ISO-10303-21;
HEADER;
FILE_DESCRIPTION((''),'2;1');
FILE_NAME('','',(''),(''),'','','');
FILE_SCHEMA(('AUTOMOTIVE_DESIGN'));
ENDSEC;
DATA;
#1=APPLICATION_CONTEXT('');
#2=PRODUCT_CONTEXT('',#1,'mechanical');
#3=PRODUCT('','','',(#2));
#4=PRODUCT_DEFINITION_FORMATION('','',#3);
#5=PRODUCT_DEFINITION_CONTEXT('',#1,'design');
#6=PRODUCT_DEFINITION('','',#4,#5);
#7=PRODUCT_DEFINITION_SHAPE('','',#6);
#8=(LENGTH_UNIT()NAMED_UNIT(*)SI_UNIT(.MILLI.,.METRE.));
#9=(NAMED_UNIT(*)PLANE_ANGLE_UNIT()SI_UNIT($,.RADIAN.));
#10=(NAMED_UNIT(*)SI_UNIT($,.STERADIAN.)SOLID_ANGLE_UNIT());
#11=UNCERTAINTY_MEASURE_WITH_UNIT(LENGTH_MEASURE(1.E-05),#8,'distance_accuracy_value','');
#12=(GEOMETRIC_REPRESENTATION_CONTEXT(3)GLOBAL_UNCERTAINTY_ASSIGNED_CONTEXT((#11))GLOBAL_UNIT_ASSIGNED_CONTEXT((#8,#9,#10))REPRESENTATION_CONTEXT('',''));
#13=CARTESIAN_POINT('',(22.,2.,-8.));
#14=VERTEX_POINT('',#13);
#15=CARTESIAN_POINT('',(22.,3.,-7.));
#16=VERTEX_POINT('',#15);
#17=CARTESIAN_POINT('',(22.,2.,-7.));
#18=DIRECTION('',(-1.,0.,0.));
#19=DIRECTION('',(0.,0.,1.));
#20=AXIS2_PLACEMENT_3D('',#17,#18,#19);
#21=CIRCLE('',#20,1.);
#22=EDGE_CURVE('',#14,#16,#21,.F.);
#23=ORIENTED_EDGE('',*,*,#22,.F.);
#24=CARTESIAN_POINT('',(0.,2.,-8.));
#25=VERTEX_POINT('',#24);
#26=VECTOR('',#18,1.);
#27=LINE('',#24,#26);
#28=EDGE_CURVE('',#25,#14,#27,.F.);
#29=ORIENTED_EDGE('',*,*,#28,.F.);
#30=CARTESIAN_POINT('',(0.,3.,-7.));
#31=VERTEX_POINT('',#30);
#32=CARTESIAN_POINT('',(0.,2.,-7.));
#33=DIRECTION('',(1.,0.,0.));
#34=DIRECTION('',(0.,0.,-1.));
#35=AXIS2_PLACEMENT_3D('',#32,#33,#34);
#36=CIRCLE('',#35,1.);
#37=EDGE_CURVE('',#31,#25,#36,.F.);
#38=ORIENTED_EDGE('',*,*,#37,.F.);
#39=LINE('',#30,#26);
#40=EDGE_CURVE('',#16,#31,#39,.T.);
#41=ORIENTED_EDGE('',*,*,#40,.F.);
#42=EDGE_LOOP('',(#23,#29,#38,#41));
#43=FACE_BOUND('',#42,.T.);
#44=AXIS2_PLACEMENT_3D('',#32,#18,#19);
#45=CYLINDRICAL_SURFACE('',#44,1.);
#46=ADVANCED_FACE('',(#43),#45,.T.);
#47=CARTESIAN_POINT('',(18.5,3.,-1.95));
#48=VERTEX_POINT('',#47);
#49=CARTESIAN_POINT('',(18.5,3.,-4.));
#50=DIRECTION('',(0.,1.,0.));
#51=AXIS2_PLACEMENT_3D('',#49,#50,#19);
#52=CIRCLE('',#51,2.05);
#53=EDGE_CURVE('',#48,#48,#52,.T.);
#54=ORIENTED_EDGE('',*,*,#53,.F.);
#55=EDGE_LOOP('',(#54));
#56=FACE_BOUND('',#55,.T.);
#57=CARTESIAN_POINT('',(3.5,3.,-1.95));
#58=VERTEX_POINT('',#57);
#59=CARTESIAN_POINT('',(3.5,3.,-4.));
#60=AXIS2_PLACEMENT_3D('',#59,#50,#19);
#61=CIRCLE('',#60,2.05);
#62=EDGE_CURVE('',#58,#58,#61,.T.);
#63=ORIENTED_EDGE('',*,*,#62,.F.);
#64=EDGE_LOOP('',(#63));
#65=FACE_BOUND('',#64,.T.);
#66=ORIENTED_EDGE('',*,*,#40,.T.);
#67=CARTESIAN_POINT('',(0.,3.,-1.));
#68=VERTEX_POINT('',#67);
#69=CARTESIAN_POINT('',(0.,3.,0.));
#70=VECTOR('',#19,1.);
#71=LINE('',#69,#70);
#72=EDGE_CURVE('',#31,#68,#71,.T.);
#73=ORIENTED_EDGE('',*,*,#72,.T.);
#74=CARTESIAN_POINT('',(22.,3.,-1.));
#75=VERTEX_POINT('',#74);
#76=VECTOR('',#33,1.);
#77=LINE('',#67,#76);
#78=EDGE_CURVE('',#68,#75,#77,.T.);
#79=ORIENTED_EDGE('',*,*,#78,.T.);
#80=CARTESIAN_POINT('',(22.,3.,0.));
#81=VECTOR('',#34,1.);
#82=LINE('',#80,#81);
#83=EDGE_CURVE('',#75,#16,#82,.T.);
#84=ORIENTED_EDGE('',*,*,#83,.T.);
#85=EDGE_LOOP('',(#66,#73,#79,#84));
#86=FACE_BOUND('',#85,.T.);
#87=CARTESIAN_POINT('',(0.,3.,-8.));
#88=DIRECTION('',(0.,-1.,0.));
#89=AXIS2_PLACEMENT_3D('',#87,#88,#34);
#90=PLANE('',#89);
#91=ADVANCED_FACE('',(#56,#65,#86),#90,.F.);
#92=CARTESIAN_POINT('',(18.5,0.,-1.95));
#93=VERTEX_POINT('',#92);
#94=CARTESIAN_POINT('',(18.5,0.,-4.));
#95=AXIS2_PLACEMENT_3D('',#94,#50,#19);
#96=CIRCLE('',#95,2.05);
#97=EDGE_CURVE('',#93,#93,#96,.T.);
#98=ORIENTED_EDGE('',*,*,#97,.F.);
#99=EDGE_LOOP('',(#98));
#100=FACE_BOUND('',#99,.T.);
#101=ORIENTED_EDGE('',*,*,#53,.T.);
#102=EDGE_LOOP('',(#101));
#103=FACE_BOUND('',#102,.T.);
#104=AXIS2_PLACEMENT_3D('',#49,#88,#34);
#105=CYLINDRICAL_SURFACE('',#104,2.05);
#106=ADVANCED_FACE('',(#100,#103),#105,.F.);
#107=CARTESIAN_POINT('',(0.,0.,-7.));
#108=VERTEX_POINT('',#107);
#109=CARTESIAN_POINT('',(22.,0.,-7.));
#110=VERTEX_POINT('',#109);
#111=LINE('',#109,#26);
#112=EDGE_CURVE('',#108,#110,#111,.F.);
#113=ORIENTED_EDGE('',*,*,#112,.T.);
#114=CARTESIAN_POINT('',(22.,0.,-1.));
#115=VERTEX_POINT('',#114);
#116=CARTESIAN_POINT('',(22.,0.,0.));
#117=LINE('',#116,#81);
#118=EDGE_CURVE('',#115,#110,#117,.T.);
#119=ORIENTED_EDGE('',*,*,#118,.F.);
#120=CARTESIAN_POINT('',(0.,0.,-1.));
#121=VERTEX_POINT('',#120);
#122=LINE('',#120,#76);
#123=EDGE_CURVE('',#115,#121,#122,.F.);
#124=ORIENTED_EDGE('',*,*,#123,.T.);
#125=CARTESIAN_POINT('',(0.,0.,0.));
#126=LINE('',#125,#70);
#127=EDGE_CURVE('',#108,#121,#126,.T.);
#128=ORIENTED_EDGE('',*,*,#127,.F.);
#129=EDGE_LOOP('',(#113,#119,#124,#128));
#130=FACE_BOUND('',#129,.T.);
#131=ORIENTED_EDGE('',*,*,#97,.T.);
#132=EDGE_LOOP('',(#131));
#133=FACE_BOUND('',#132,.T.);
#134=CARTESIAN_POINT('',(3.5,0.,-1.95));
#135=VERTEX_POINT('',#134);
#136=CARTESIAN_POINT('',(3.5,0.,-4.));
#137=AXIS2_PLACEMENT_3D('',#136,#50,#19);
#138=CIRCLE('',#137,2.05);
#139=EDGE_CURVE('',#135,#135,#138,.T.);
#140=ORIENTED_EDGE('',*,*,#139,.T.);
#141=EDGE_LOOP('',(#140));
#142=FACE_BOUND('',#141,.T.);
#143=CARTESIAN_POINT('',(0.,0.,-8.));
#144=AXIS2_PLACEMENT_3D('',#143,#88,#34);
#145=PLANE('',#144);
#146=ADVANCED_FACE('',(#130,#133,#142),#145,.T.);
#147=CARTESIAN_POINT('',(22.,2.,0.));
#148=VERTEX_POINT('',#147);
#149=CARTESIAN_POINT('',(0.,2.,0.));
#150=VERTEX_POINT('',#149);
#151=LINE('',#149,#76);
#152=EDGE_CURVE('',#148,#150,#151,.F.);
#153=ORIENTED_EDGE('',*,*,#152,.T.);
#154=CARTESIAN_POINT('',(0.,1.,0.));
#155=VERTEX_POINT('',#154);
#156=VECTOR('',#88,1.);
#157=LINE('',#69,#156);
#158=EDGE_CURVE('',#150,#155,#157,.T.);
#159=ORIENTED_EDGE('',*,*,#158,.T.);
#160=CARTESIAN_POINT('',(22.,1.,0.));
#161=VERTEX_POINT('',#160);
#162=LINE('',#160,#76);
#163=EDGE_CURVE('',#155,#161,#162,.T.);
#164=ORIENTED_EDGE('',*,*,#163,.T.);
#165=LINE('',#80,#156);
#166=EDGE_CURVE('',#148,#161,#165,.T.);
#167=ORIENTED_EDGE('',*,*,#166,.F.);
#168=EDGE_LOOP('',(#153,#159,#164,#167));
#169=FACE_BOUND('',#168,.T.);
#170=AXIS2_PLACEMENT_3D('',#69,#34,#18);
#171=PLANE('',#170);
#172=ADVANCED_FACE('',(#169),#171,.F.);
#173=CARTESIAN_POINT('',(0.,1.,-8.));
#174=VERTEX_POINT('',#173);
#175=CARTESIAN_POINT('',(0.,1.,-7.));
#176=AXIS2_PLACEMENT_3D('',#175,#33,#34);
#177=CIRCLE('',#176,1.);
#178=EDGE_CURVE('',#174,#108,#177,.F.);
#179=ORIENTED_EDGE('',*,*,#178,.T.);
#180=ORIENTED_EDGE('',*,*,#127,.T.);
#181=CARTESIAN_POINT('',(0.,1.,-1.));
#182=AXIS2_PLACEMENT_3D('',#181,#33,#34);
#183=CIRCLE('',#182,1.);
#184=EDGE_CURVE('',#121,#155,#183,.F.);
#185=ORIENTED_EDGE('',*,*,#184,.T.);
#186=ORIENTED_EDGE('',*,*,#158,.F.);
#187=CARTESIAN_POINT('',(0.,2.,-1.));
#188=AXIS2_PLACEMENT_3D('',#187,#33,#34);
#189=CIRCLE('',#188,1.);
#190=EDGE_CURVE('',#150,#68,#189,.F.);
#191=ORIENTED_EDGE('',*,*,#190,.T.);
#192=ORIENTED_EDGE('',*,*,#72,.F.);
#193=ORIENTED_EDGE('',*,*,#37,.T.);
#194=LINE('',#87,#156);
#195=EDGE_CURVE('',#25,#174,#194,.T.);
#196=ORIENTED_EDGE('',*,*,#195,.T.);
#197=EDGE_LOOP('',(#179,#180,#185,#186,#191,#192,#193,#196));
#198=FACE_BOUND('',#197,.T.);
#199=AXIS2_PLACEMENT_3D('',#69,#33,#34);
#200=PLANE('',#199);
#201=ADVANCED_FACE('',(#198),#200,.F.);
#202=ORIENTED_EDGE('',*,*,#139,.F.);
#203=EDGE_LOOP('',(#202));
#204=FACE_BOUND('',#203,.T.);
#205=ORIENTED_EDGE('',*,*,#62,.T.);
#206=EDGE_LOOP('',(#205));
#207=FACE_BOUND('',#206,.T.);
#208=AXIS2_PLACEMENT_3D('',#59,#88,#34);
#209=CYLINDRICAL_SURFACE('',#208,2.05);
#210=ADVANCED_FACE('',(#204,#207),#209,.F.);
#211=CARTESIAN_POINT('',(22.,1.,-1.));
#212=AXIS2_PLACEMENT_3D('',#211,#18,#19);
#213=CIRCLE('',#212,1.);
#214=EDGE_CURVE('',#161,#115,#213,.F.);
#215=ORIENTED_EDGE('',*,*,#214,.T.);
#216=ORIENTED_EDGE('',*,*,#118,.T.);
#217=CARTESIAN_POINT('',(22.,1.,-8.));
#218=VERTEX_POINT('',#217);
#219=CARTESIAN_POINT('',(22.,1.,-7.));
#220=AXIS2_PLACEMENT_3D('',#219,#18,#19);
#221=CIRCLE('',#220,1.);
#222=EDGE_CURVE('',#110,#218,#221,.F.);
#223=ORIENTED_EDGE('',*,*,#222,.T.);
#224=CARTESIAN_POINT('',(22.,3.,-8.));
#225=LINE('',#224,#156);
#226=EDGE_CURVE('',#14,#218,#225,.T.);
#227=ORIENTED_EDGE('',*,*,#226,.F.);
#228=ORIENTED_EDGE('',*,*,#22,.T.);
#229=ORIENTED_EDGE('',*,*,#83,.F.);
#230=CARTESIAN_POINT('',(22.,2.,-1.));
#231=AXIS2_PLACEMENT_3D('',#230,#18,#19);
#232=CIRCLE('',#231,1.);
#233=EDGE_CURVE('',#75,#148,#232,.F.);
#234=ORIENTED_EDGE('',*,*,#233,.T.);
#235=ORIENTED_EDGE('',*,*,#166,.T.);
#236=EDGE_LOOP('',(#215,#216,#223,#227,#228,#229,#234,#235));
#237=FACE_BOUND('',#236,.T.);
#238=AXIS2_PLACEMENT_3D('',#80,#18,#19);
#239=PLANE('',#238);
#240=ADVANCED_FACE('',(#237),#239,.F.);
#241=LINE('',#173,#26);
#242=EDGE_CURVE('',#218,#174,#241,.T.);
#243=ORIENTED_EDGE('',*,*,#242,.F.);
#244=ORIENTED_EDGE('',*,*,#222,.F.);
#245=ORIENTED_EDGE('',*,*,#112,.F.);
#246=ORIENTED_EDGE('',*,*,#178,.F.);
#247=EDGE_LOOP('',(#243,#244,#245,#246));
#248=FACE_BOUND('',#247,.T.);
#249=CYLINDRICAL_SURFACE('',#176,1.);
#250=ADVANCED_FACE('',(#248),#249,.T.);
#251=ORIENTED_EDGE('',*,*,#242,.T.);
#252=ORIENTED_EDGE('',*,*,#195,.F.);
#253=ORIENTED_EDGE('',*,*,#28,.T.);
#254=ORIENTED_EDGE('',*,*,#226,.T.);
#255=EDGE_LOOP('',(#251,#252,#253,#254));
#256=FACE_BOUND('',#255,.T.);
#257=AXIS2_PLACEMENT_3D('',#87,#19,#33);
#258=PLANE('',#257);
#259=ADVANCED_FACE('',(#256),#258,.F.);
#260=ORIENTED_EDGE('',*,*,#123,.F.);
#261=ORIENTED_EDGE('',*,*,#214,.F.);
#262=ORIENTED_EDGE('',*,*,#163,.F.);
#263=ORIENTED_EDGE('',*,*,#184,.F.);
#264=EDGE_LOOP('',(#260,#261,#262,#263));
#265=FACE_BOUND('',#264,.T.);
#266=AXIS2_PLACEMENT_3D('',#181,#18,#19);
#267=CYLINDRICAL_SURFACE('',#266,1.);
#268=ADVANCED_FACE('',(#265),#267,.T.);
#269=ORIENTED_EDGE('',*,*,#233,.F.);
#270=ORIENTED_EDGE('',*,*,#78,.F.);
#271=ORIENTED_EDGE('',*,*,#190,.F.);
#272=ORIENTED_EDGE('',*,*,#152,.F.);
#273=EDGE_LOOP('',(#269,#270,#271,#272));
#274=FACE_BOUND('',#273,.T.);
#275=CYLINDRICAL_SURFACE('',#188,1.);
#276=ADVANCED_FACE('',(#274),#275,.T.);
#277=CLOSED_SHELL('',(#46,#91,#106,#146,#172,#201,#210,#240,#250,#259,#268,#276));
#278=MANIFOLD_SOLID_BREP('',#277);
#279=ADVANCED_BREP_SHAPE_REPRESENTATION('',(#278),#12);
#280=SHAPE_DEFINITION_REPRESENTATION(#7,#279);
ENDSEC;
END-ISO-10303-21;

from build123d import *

# Parameters (mm, degrees)
SKETCH1_W           = 22
SKETCH1_H           = 8
SKETCH1_R           = 2.05
BOSS_EXTRUDE1_DEPTH = 3
FILLET1_R           = 1


with BuildPart() as part:
    # Sketch1 → Boss-Extrude1 (new body)
    with BuildSketch(Plane(origin=(0, 0, 0), x_dir=(1, 0, 0), z_dir=(0, 1, 0))):
        with Locations((11, 4)):
            Rectangle(SKETCH1_W, SKETCH1_H)
        with Locations(Location((3.5, 4, 0), (0, 0, 270))):
            Circle(SKETCH1_R, mode=Mode.SUBTRACT)
        with Locations(Location((18.5, 4, 0), (0, 0, 270))):
            Circle(SKETCH1_R, mode=Mode.SUBTRACT)
    extrude(amount=BOSS_EXTRUDE1_DEPTH)

    # Fillet1
    fillet1_edges = [part.edges().sort_by_distance(p)[0] for p in [
        (11, 3, -8),
        (11, 0, -8),
        (11, 0, 0),
        (11, 3, 0),
    ]]
    fillet(fillet1_edges, radius=FILLET1_R)


solid = part.part
